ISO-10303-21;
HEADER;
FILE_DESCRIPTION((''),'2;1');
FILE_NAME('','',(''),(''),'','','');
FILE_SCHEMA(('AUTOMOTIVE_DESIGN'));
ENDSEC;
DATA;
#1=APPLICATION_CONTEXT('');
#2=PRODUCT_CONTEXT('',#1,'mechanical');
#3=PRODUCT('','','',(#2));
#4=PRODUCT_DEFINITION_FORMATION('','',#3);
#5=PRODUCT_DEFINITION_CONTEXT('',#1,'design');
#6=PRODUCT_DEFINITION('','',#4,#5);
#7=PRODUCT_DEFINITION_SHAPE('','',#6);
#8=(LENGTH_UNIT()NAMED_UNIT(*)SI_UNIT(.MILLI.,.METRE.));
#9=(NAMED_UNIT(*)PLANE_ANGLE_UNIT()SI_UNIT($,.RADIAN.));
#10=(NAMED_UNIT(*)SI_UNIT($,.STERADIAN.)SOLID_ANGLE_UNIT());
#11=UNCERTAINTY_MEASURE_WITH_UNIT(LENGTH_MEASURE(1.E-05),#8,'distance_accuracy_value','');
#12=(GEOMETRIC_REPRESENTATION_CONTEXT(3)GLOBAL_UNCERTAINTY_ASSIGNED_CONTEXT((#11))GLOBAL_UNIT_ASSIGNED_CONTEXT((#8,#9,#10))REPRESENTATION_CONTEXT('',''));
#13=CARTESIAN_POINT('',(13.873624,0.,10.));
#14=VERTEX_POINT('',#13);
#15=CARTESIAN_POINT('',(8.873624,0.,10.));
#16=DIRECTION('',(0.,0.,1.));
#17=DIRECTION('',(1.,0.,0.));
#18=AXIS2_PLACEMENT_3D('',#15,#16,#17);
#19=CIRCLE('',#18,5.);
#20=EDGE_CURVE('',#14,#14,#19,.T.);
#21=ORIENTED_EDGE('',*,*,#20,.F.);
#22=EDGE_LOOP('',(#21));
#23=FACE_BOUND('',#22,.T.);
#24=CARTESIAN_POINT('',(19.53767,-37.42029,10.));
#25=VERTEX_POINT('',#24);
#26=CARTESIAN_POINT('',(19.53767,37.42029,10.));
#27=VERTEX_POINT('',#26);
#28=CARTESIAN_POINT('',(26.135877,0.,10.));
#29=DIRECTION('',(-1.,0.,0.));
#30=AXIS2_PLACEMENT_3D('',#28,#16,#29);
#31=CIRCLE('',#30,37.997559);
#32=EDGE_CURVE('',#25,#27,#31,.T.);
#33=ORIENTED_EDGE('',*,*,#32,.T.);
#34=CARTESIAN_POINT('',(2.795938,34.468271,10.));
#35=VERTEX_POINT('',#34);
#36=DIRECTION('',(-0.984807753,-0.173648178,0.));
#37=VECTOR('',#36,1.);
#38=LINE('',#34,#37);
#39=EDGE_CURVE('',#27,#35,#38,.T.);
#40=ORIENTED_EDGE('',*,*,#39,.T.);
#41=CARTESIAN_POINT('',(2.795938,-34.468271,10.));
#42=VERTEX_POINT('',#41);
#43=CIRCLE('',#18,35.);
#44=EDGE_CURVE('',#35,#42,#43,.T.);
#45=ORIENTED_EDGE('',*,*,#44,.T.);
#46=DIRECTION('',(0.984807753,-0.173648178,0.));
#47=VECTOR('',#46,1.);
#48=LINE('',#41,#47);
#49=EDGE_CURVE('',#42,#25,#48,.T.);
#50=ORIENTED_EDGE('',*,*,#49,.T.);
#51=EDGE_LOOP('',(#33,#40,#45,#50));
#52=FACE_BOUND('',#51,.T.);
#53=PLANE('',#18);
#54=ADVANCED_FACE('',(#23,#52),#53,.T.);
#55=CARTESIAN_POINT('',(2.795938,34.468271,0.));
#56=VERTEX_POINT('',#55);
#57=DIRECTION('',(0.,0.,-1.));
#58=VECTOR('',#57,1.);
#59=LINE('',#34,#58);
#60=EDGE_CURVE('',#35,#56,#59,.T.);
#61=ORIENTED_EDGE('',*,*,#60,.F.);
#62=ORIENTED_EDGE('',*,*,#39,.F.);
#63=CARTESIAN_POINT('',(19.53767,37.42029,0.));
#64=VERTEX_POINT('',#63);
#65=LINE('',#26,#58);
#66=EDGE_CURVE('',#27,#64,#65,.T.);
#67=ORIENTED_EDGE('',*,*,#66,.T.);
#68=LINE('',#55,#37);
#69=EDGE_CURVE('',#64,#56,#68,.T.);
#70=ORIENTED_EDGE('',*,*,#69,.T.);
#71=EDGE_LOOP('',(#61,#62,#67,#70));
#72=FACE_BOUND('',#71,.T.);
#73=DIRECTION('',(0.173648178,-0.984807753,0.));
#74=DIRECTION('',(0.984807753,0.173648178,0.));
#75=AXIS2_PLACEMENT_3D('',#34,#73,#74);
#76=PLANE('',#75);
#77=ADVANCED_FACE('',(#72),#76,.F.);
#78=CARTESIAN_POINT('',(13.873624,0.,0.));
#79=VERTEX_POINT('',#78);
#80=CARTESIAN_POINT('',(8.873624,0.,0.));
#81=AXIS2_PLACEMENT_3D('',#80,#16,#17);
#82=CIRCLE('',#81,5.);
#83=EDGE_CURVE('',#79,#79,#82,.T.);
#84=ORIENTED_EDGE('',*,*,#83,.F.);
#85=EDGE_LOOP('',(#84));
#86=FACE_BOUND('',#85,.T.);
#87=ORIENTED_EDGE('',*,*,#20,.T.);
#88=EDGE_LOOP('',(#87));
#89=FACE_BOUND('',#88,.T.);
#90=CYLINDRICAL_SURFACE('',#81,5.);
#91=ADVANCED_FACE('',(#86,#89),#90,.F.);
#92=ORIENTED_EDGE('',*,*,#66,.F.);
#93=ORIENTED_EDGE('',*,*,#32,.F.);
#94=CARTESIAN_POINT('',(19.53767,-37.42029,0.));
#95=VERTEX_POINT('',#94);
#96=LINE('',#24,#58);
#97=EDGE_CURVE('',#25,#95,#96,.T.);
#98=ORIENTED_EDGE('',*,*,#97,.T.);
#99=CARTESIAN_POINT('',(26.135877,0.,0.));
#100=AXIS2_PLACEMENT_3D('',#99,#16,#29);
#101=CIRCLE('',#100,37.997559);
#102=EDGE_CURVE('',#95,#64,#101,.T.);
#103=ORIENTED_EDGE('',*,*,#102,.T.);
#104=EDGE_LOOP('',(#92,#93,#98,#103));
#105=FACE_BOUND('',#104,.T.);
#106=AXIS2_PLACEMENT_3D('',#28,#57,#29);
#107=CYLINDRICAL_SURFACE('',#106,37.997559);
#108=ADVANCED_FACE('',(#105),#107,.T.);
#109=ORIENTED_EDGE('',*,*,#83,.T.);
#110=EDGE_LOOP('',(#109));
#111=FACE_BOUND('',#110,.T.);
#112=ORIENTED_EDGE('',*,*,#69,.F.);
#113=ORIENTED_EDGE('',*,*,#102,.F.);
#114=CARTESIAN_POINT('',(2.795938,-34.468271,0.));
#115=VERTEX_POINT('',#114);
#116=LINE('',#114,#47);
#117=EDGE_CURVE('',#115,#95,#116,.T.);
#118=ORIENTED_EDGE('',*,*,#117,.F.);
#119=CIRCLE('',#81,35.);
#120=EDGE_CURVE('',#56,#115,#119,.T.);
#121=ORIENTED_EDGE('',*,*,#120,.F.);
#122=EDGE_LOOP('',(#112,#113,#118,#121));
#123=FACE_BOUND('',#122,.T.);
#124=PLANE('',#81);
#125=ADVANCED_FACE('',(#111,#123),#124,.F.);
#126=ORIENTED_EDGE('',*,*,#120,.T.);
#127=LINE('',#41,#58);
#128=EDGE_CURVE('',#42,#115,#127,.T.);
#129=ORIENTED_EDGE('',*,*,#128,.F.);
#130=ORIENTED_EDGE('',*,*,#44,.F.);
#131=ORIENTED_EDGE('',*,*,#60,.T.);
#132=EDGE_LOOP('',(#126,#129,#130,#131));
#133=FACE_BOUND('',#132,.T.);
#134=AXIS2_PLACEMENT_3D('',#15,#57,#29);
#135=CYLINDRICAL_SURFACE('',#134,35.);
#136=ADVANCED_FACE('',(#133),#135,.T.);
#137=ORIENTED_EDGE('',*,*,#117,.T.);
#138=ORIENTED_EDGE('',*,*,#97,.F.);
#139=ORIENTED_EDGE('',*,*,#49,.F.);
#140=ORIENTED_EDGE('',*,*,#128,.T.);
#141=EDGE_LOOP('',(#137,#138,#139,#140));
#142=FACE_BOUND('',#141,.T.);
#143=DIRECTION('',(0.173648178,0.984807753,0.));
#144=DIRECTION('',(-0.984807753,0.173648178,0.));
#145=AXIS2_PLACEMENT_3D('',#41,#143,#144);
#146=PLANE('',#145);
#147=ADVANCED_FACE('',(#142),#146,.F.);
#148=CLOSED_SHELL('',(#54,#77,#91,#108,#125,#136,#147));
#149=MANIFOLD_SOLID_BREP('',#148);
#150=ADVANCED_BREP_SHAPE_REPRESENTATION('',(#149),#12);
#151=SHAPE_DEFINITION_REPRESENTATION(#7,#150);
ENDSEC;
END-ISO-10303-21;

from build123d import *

# Parameters (mm, degrees)
EXTRUDE_1_DEPTH     = 10
SKETCH_2_R          = 5
CUT_EXTRUDE_1_DEPTH = 10


with BuildPart() as part:
    # 草图1 → 凸台-拉伸1 (new body)
    with BuildSketch(Plane.XY):
        with BuildLine():
            Line((2.795937925, 34.468271355), (19.537669726, 37.420290376))
            ThreePointArc((19.537669726, 37.420290376), (64.133435217, 0), (19.537669726, -37.420290376))
            Line((19.537669726, -37.420290376), (2.795937925, -34.468271355))
            ThreePointArc((2.795937925, -34.468271355), (-26.126375857, 0), (2.795937925, 34.468271355))
        make_face()
    extrude(amount=EXTRUDE_1_DEPTH)

    # 草图2 → 切除-拉伸1 (cut)
    with BuildSketch(Plane.XY.offset(10)):
        with Locations((8.873624143, 0)):
            Circle(SKETCH_2_R)
    extrude(amount=-CUT_EXTRUDE_1_DEPTH, mode=Mode.SUBTRACT)


solid = part.part
